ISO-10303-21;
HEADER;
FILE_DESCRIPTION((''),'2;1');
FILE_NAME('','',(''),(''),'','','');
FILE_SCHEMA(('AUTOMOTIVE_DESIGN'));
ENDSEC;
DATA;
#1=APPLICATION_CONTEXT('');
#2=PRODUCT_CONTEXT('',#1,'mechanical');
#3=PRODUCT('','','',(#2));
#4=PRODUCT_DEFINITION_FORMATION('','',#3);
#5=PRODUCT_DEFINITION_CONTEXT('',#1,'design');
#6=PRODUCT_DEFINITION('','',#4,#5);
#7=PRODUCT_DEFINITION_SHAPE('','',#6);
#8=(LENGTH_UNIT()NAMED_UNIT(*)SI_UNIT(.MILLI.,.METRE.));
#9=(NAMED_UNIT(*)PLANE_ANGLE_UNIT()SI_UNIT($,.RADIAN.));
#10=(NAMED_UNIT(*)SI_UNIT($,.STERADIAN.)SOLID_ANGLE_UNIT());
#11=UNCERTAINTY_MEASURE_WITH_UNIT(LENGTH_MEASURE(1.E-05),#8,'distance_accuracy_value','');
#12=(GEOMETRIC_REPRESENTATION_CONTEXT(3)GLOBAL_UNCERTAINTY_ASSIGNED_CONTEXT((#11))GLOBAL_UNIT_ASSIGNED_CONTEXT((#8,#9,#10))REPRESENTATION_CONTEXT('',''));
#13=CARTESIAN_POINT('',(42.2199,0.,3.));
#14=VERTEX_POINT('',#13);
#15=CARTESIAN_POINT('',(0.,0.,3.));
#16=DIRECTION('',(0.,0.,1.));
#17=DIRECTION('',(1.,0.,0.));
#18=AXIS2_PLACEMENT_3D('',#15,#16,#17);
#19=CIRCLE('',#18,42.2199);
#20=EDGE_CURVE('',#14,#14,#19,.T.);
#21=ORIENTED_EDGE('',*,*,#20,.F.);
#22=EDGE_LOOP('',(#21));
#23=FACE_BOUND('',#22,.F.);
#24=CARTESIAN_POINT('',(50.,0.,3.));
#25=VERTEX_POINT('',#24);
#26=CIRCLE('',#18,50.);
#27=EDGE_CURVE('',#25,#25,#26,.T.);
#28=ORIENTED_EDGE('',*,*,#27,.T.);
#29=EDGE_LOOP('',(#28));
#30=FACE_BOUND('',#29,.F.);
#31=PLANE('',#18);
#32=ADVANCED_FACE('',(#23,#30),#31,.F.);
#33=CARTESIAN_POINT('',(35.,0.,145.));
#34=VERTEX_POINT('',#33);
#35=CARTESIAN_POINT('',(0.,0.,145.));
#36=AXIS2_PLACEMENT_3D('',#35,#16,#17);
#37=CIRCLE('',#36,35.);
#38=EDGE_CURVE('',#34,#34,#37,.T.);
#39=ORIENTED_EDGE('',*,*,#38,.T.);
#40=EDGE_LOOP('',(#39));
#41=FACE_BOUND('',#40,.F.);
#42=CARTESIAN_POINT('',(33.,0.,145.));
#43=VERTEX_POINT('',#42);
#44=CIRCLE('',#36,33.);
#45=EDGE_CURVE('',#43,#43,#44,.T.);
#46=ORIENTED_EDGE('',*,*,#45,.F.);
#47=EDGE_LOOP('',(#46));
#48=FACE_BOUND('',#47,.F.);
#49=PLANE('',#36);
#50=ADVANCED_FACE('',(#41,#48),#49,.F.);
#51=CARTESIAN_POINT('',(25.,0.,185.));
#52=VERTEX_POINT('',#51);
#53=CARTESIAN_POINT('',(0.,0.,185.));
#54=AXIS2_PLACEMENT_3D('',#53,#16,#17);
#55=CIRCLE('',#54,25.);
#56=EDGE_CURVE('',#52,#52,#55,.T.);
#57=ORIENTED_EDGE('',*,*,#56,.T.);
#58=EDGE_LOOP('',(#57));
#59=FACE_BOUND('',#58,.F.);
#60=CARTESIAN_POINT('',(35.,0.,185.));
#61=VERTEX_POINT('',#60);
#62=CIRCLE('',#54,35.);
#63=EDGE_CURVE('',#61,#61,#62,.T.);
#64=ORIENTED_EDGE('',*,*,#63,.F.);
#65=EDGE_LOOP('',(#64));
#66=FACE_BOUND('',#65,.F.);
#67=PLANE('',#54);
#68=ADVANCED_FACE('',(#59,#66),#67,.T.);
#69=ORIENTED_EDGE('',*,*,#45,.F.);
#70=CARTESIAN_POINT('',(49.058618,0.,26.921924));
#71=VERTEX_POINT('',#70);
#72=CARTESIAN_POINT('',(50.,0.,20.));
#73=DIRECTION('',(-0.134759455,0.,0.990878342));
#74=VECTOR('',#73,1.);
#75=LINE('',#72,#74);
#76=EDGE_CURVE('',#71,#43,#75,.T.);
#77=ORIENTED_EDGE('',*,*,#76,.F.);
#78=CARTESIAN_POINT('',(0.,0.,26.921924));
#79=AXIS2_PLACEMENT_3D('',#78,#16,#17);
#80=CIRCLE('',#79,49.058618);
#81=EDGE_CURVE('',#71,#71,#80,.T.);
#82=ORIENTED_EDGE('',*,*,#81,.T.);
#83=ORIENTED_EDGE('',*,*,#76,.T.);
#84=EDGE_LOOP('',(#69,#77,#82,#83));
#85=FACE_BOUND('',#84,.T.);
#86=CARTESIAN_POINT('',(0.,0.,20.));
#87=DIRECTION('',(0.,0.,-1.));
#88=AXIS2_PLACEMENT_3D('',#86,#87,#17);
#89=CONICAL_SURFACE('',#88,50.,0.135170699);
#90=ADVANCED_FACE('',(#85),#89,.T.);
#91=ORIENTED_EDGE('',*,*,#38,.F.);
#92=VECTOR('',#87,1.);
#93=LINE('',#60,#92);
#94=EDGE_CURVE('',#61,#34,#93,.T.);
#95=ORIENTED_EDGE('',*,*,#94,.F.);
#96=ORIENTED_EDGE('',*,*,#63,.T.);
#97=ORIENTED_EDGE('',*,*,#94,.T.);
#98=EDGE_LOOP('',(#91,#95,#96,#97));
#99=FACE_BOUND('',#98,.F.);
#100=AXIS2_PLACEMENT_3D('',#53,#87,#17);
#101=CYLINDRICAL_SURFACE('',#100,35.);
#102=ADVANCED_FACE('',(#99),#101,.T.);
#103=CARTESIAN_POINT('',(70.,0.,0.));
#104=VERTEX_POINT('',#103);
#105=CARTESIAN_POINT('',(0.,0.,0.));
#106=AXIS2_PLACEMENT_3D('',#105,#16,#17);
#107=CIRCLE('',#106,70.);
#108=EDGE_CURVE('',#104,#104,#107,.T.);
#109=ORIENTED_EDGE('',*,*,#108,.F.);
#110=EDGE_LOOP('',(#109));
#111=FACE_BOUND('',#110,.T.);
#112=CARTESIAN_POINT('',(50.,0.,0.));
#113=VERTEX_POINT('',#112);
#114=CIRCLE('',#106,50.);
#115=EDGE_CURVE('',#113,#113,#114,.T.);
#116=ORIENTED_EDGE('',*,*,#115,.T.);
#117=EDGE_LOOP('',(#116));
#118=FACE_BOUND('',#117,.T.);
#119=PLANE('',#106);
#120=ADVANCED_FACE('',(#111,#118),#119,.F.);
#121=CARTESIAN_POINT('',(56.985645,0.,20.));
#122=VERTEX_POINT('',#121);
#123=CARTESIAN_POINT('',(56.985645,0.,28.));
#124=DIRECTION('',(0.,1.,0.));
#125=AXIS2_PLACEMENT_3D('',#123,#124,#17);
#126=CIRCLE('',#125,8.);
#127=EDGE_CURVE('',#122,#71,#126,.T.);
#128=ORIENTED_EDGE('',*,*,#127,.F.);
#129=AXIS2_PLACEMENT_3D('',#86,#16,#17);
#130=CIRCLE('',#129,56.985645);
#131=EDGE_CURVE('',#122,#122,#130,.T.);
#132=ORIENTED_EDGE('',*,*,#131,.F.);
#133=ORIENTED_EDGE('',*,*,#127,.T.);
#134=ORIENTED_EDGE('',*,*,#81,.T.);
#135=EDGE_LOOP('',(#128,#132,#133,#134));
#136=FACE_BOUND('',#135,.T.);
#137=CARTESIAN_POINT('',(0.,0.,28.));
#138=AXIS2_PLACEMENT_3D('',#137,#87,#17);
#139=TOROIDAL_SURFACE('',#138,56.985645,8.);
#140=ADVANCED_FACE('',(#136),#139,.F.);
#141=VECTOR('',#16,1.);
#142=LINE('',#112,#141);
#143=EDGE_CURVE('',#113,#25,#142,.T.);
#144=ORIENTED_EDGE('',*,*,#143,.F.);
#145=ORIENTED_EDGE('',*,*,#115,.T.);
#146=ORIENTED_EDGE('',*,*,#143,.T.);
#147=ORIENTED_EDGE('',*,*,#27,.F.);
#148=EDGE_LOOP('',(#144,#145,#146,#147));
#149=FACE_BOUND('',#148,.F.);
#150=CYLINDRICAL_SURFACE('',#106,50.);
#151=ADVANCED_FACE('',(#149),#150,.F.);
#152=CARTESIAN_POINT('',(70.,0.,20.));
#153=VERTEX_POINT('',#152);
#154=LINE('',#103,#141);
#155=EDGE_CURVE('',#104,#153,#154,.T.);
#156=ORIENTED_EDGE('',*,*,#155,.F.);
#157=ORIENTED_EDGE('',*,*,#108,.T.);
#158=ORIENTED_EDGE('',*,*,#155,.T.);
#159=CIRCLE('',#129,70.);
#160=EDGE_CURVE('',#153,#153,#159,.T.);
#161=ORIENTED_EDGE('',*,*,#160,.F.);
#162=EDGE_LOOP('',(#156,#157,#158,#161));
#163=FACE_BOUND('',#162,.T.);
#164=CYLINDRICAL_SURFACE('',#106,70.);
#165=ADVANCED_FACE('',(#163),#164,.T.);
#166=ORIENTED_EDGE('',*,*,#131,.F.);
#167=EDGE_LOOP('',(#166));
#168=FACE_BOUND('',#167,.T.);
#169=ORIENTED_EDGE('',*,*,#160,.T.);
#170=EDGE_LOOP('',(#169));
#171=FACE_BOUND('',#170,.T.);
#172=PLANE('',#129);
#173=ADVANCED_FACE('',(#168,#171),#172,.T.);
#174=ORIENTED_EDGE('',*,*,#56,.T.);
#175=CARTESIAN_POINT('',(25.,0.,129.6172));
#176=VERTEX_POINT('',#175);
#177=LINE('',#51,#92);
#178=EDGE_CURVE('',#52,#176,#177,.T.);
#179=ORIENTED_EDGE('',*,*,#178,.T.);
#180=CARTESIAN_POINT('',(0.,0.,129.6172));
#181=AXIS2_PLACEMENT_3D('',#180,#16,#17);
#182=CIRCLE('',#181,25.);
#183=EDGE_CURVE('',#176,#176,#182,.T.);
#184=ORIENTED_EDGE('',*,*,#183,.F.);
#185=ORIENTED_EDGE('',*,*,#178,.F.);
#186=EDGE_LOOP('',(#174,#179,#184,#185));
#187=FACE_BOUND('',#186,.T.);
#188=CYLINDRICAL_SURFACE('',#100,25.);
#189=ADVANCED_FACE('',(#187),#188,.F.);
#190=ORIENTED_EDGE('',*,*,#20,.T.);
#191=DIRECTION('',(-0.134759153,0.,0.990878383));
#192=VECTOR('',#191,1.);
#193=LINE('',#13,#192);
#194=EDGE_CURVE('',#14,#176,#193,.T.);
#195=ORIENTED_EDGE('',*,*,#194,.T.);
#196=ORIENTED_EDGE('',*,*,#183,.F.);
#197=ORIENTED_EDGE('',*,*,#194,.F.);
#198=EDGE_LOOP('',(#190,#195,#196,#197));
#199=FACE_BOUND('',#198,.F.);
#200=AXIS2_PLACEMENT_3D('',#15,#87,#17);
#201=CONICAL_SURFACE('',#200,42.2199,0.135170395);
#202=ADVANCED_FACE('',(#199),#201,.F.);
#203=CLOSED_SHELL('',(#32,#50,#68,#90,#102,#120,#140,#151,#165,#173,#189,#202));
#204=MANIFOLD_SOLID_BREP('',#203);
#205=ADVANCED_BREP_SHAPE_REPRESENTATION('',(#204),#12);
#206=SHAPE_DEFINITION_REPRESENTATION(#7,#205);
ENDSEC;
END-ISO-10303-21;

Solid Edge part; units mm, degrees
sketch "Sketch1" plane through (0, 0, 0) normal (0, -1, 0) x (1, 0, 0)
  line L0 (25, 185) -> (25, 129.6172)
  line L1 (42.2199, 3) -> (25, 129.6172)
  line L2 (50, 3) -> (42.2199, 3)
  line L3 (50, 0) -> (50, 3)
  line L4 (50, 0) -> (70, 0)
  line L5 (70, 0) -> (70, 20)
  line L6 (70, 20) -> (50, 20)
  line L7 (50, 20) -> (33, 145)
  line L8 (35, 145) -> (33, 145)
  line L9 (35, 185) -> (35, 145)
  line L10 (25, 185) -> (35, 185)
revolve "RevolvedProtrusion1" add sketch "Sketch1" angle 360 about axis through (0, 0, 0) along (0, 0, 1)
fillet "Round1" radius 8 1 edges at (-50, 0, 20)
